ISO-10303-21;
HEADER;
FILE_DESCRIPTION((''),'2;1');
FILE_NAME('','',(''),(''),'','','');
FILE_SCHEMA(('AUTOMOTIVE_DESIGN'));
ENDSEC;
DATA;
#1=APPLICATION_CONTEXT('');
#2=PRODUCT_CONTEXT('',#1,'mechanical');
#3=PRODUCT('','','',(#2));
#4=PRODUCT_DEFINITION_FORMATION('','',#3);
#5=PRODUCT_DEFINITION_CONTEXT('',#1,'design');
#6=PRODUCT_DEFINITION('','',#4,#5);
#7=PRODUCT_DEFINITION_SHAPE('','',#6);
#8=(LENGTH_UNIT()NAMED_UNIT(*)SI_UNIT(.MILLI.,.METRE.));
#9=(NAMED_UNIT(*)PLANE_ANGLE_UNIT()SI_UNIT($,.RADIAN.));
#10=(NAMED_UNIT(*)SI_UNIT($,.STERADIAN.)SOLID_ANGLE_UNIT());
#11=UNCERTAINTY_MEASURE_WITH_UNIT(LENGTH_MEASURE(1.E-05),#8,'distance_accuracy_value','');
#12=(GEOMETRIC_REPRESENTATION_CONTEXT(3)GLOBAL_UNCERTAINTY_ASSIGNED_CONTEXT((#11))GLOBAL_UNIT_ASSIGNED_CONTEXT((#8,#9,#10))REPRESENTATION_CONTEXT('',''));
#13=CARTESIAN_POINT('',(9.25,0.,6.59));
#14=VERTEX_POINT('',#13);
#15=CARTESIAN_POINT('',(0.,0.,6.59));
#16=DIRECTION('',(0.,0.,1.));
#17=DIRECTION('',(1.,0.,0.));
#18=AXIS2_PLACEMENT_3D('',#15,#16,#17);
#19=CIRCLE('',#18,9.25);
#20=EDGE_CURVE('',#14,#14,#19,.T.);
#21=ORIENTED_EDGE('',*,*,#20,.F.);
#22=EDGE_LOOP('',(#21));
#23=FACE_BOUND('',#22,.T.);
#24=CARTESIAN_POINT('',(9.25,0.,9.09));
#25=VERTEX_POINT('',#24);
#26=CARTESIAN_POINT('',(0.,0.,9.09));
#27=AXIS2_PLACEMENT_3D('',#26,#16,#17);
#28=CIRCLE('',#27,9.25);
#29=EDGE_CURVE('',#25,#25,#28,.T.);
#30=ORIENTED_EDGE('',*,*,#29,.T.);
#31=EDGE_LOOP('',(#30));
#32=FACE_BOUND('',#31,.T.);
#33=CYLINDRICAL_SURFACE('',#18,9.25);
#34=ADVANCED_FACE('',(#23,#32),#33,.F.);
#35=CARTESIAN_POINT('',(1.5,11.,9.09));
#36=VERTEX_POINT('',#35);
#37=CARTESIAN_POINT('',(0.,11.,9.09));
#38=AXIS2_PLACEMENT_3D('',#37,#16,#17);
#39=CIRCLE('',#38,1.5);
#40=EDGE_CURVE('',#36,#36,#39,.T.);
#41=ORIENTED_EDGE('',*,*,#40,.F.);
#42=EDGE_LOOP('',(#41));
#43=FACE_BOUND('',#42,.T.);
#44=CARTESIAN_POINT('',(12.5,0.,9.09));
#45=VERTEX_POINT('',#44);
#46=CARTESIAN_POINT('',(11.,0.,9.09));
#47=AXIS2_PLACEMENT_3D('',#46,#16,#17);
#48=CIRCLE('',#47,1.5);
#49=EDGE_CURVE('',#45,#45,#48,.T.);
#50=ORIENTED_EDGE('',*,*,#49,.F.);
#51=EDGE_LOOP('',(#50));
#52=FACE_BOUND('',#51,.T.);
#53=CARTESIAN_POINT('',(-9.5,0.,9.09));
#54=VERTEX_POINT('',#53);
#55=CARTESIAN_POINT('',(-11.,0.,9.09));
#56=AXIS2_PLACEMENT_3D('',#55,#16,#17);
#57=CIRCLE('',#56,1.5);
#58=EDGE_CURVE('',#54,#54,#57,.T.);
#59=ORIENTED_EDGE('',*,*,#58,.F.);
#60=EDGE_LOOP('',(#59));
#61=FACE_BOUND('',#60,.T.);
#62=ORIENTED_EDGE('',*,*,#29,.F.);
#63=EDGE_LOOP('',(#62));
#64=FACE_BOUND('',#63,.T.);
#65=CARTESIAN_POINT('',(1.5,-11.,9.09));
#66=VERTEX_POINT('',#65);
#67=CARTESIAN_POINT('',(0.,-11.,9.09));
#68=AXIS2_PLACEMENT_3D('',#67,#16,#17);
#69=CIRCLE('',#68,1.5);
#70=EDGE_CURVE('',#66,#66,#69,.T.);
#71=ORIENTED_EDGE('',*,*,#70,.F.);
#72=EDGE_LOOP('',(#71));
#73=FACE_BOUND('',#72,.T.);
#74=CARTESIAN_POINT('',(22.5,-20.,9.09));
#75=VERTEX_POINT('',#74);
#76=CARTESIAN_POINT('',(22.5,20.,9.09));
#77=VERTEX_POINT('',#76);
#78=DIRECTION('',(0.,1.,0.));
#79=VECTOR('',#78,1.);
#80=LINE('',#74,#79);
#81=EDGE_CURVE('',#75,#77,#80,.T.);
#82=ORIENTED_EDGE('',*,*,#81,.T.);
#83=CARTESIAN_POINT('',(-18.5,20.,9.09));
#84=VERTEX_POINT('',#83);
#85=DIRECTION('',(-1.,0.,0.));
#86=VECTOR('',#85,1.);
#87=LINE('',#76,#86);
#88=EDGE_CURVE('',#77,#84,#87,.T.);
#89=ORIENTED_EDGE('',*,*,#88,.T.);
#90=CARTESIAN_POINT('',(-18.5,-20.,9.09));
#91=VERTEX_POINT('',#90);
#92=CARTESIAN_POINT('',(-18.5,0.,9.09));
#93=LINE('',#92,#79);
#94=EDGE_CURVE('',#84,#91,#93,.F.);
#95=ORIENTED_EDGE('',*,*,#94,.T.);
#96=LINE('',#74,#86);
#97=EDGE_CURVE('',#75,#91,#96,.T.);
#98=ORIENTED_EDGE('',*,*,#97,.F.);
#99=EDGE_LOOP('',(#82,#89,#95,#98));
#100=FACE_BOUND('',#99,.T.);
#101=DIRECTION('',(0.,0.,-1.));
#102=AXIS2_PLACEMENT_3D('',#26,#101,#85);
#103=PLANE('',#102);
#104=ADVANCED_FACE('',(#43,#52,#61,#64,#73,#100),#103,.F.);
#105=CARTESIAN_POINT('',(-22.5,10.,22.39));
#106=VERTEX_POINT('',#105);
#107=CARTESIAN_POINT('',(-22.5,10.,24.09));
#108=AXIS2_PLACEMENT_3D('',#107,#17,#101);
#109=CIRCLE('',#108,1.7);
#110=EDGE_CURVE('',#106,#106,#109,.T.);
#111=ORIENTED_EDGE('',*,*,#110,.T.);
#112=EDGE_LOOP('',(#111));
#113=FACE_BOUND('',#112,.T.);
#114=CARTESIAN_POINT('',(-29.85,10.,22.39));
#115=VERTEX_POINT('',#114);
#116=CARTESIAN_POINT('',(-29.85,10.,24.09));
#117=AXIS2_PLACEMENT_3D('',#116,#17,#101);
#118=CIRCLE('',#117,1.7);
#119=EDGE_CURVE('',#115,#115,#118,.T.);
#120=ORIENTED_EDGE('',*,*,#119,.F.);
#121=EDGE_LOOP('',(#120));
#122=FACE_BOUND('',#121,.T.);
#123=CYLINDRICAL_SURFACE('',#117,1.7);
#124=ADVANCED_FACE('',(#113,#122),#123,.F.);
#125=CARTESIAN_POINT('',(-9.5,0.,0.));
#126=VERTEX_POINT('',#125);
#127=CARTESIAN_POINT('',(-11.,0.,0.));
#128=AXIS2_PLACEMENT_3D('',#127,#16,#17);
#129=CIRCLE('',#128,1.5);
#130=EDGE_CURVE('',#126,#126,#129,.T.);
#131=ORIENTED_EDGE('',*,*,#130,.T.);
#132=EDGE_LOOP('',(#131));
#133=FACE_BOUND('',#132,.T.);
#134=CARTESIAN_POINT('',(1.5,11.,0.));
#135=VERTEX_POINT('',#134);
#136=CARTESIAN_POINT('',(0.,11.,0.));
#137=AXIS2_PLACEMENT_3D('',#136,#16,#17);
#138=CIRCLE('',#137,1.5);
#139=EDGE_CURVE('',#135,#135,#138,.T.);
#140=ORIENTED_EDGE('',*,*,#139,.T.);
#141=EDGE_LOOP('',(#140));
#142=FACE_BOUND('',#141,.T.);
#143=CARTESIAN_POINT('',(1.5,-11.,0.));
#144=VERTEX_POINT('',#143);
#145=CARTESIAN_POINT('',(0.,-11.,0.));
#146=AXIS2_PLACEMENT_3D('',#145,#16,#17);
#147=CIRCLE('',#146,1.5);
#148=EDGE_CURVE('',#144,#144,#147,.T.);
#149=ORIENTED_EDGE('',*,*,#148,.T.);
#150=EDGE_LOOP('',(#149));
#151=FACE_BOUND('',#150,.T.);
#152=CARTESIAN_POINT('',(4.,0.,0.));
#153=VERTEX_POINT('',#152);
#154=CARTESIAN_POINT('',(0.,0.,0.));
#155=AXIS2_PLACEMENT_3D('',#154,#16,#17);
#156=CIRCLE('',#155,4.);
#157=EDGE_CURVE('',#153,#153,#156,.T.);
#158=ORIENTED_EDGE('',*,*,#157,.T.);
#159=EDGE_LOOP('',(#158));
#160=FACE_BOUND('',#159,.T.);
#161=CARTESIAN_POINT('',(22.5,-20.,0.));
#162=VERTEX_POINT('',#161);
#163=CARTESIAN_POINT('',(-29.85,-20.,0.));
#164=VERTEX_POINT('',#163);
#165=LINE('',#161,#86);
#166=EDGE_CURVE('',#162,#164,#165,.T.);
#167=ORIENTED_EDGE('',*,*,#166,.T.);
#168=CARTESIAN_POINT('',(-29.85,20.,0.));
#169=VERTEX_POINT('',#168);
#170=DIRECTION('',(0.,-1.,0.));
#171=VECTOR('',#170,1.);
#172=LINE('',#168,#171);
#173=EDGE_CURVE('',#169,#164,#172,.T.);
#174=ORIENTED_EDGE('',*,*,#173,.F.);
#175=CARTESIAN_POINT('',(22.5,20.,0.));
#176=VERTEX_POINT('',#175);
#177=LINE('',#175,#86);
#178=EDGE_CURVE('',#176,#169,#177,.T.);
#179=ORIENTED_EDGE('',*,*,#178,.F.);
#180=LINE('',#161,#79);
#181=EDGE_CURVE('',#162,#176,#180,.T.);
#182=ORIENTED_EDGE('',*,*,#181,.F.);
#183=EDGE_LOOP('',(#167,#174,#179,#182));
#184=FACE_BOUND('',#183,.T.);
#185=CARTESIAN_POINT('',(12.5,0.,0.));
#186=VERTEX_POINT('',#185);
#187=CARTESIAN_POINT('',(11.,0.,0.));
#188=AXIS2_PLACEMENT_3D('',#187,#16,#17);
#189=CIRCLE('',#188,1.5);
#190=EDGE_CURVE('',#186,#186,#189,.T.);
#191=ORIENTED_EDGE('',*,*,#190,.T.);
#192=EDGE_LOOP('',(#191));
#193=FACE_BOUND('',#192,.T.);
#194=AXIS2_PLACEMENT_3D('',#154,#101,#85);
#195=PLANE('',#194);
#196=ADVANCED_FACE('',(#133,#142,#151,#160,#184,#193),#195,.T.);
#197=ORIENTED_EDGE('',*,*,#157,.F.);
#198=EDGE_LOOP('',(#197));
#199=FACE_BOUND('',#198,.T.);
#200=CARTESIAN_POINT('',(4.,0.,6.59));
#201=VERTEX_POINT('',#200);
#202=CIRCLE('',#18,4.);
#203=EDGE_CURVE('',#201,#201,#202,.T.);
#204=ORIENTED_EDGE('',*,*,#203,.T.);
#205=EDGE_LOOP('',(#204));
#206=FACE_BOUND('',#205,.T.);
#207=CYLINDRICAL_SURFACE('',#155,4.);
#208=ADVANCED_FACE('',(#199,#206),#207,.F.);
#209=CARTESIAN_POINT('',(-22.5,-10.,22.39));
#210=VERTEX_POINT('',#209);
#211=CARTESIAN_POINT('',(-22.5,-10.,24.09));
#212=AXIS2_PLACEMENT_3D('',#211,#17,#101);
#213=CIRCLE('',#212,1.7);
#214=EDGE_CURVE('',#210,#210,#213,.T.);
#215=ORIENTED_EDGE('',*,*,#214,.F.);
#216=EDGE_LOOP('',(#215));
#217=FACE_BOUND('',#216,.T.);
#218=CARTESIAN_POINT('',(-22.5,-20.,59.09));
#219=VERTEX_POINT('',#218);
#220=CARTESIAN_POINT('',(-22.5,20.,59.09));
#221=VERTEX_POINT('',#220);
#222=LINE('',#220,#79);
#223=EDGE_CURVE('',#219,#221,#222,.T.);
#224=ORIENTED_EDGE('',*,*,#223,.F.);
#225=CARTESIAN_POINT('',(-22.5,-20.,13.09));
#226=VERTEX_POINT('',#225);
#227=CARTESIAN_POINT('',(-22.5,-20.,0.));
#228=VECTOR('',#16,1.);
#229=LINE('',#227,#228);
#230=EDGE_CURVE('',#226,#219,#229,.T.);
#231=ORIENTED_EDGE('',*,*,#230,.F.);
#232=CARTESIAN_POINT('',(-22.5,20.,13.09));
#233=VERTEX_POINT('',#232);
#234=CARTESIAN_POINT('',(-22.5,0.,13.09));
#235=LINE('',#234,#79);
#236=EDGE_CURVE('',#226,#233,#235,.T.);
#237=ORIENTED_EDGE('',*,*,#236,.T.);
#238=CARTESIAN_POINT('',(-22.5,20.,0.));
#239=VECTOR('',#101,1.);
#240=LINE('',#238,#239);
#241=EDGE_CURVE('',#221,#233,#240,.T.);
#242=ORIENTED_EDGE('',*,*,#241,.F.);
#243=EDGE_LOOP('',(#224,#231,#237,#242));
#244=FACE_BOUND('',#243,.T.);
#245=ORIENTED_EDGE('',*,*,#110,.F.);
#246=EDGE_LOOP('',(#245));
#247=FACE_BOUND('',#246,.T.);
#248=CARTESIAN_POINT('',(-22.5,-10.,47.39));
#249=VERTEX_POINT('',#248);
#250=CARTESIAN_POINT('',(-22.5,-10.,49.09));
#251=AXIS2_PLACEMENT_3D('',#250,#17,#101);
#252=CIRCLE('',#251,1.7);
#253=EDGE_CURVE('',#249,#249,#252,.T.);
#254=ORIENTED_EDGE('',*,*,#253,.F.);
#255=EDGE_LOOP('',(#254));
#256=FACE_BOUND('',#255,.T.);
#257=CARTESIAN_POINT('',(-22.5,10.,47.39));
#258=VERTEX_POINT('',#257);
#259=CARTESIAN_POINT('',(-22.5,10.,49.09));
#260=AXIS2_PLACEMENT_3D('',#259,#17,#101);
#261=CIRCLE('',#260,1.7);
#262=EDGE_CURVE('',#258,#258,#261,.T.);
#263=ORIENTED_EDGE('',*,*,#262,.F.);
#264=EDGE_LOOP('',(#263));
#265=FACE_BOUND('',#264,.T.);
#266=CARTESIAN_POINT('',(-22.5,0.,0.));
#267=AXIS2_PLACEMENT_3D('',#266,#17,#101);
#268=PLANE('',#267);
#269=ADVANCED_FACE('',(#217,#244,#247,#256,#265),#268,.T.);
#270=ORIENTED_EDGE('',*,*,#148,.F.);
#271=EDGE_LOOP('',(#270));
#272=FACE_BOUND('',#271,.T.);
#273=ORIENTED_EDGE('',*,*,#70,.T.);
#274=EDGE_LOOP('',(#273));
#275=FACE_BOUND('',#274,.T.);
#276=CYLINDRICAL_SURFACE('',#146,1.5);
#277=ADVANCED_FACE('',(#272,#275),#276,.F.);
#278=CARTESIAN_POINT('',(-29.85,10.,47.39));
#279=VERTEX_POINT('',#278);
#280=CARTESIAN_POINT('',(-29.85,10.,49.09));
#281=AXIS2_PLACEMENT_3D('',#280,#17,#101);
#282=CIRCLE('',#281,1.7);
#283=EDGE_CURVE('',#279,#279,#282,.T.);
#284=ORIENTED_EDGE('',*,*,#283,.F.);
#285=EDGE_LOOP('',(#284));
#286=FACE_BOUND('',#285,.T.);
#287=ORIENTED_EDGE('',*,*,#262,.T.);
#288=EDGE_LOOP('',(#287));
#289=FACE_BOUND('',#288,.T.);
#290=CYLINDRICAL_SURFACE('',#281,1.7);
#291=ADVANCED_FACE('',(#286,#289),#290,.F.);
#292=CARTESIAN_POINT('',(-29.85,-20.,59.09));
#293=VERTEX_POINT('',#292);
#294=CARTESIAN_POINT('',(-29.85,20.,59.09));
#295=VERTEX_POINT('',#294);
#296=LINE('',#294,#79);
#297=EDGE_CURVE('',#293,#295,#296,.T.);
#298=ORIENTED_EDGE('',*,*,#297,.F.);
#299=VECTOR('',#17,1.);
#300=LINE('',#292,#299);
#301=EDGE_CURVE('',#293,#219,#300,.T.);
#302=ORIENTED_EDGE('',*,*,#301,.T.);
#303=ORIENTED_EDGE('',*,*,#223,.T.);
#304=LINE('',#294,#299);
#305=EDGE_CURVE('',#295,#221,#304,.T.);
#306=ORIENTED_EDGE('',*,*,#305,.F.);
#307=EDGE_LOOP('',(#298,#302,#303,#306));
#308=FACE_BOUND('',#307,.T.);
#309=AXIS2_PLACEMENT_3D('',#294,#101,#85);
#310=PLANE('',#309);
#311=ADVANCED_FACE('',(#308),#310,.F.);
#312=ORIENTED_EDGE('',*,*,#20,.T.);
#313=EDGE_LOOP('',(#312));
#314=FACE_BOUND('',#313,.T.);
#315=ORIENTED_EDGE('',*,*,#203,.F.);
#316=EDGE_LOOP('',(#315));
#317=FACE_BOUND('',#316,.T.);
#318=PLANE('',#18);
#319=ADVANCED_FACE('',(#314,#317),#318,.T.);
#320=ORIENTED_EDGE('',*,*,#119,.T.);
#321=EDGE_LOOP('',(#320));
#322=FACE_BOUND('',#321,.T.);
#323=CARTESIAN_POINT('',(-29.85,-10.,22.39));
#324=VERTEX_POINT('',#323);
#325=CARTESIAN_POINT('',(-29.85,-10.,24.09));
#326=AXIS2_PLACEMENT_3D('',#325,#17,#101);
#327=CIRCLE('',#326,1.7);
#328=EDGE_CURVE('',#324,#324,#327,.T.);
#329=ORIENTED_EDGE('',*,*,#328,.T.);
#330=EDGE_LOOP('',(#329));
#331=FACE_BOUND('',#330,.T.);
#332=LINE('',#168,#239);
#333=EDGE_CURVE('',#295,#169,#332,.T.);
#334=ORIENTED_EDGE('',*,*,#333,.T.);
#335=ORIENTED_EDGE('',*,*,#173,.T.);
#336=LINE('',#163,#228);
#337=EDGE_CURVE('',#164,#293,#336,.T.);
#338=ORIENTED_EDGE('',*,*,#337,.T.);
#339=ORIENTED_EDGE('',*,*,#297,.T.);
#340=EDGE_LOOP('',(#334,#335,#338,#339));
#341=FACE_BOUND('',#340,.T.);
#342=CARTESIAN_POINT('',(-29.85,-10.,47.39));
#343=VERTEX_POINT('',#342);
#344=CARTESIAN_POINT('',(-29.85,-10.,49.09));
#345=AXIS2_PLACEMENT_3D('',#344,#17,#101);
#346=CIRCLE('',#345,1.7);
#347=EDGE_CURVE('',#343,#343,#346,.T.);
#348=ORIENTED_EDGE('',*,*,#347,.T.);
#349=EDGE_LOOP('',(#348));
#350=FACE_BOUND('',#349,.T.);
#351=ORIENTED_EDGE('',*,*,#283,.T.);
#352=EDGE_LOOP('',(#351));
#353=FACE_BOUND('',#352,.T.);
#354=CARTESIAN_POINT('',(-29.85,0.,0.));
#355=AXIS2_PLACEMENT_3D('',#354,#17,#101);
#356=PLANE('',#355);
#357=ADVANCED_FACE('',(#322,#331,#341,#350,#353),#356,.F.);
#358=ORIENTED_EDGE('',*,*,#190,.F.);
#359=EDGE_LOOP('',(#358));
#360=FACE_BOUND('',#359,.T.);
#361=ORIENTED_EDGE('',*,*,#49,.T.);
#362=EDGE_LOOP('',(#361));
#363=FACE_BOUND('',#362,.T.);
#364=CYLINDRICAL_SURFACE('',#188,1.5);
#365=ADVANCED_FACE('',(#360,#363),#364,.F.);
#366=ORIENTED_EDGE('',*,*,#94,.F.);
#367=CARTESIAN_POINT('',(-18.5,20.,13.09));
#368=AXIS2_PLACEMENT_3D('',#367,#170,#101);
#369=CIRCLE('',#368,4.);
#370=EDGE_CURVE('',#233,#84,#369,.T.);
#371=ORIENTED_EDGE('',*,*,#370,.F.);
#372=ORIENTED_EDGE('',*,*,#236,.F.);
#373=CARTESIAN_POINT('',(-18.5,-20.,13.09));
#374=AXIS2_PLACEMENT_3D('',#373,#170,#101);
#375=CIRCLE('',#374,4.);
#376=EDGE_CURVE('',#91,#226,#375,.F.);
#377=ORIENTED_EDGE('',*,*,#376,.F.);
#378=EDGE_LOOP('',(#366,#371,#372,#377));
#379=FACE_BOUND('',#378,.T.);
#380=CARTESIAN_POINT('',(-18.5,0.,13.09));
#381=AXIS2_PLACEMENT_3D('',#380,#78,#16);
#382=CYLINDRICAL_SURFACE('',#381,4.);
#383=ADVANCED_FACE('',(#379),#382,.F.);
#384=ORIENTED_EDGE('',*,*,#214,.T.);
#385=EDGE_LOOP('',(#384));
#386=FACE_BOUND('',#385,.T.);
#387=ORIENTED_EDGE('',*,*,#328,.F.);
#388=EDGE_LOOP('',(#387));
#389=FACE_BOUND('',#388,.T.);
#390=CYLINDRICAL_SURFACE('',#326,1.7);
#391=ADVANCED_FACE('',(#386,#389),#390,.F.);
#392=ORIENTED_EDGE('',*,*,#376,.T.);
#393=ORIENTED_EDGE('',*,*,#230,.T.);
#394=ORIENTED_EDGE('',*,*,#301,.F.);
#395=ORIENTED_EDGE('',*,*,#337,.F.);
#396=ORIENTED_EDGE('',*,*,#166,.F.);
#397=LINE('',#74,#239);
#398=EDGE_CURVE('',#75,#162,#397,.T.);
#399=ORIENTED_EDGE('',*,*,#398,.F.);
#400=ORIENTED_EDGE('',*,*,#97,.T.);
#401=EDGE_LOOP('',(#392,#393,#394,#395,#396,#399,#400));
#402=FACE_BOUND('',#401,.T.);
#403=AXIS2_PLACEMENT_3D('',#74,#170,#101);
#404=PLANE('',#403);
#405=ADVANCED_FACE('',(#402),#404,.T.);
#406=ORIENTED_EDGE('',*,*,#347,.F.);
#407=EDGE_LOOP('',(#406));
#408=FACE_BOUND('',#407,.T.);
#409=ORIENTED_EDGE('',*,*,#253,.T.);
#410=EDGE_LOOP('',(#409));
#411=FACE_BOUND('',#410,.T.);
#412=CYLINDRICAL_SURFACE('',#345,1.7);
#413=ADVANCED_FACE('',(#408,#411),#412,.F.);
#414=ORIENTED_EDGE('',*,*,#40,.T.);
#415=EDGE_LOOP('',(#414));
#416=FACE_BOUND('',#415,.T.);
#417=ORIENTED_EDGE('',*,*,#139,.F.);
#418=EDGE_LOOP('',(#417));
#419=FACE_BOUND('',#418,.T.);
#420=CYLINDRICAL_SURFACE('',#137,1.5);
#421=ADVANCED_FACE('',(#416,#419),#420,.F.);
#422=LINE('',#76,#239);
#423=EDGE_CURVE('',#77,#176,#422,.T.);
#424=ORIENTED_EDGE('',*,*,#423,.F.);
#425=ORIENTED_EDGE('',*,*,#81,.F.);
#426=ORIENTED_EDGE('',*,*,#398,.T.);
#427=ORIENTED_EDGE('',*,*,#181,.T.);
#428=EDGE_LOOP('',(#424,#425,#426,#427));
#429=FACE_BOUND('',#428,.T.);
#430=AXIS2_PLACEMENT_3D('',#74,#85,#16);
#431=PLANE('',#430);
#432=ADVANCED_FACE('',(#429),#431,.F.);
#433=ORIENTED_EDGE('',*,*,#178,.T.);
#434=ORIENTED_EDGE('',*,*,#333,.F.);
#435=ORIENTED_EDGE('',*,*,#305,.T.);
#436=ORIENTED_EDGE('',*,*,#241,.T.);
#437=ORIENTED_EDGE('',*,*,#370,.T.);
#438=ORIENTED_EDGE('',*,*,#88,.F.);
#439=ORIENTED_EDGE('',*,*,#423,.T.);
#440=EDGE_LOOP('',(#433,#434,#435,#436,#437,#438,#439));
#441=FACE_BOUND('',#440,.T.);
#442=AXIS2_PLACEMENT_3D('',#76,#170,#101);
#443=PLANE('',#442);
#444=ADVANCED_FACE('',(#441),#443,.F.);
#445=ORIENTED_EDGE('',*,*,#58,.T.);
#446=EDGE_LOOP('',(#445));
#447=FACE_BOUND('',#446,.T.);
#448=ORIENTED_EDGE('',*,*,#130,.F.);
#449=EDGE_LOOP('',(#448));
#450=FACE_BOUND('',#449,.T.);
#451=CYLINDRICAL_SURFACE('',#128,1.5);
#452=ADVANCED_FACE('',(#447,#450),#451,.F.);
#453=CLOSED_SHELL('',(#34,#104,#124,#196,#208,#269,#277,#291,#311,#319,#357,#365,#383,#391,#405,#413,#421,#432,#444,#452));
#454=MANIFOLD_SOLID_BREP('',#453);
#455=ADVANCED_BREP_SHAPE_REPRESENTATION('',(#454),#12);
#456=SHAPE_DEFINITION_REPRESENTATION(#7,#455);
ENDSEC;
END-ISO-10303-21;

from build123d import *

# Parameters (mm, degrees)
SKETCH1_W           = 40
SKETCH1_H           = 45
BOSS_EXTRUDE1_DEPTH = 9.09
SKETCH2_R           = 1.5
CUT_EXTRUDE1_DEPTH  = 32.44643223
SKETCH3_R           = 9.25
CUT_EXTRUDE4_DEPTH  = 2.5
SKETCH4_R           = 4
CUT_EXTRUDE5_DEPTH  = 31.816847665
SKETCH5_W           = 40
SKETCH5_H           = 59.09
BOSS_EXTRUDE2_DEPTH = 7.35
SKETCH6_R           = 1.7
CUT_EXTRUDE6_DEPTH  = 77.919621034
FILLET1_R           = 4


with BuildPart() as part:
    # Sketch1 → Boss-Extrude1 (new body)
    with BuildSketch(Plane(origin=(0, 0, 0), x_dir=(0, 1, 0), z_dir=(0, 0, 1))):
        Rectangle(SKETCH1_W, SKETCH1_H)
    extrude(amount=BOSS_EXTRUDE1_DEPTH)

    # Sketch2 → Cut-Extrude1 (cut, through all)
    with BuildSketch(Plane.XY.offset(9.09)):
        with Locations((0, 11)):
            Circle(SKETCH2_R)
        with Locations((11, 0)):
            Circle(SKETCH2_R)
        with Locations((0, -11)):
            Circle(SKETCH2_R)
        with Locations((-11, 0)):
            Circle(SKETCH2_R)
    extrude(amount=-CUT_EXTRUDE1_DEPTH, mode=Mode.SUBTRACT)

    # Sketch3 → Cut-Extrude4 (cut)
    with BuildSketch(Plane.XY.offset(9.09)):
        Circle(SKETCH3_R)
    extrude(amount=-CUT_EXTRUDE4_DEPTH, mode=Mode.SUBTRACT)

    # Sketch4 → Cut-Extrude5 (cut, through all)
    with BuildSketch(Plane.XY.offset(6.59)):
        Circle(SKETCH4_R)
    extrude(amount=-CUT_EXTRUDE5_DEPTH, mode=Mode.SUBTRACT)

    # Sketch5 → Boss-Extrude2 (add)
    with BuildSketch(Plane(origin=(-22.5, 0, 0), x_dir=(0, -1, 0), z_dir=(-1, 0, 0))):
        with Locations((0, 29.545)):
            Rectangle(SKETCH5_W, SKETCH5_H)
    extrude(amount=BOSS_EXTRUDE2_DEPTH)

    # Sketch6 → Cut-Extrude6 (cut, through all)
    with BuildSketch(Plane.YZ.offset(-22.5)):
        with Locations(Location((-10, 49.09, 0), (0, 0, 270))):
            Circle(SKETCH6_R)
        with Locations(Location((10, 49.09, 0), (0, 0, 270))):
            Circle(SKETCH6_R)
        with Locations(Location((-10, 24.09, 0), (0, 0, 270))):
            Circle(SKETCH6_R)
        with Locations(Location((10, 24.09, 0), (0, 0, 270))):
            Circle(SKETCH6_R)
    extrude(amount=-CUT_EXTRUDE6_DEPTH, mode=Mode.SUBTRACT)

    # Fillet1
    fillet1_edges = [part.edges().sort_by_distance(p)[0] for p in [
        (-22.5, 0, 9.09),
    ]]
    fillet(fillet1_edges, radius=FILLET1_R)


solid = part.part
